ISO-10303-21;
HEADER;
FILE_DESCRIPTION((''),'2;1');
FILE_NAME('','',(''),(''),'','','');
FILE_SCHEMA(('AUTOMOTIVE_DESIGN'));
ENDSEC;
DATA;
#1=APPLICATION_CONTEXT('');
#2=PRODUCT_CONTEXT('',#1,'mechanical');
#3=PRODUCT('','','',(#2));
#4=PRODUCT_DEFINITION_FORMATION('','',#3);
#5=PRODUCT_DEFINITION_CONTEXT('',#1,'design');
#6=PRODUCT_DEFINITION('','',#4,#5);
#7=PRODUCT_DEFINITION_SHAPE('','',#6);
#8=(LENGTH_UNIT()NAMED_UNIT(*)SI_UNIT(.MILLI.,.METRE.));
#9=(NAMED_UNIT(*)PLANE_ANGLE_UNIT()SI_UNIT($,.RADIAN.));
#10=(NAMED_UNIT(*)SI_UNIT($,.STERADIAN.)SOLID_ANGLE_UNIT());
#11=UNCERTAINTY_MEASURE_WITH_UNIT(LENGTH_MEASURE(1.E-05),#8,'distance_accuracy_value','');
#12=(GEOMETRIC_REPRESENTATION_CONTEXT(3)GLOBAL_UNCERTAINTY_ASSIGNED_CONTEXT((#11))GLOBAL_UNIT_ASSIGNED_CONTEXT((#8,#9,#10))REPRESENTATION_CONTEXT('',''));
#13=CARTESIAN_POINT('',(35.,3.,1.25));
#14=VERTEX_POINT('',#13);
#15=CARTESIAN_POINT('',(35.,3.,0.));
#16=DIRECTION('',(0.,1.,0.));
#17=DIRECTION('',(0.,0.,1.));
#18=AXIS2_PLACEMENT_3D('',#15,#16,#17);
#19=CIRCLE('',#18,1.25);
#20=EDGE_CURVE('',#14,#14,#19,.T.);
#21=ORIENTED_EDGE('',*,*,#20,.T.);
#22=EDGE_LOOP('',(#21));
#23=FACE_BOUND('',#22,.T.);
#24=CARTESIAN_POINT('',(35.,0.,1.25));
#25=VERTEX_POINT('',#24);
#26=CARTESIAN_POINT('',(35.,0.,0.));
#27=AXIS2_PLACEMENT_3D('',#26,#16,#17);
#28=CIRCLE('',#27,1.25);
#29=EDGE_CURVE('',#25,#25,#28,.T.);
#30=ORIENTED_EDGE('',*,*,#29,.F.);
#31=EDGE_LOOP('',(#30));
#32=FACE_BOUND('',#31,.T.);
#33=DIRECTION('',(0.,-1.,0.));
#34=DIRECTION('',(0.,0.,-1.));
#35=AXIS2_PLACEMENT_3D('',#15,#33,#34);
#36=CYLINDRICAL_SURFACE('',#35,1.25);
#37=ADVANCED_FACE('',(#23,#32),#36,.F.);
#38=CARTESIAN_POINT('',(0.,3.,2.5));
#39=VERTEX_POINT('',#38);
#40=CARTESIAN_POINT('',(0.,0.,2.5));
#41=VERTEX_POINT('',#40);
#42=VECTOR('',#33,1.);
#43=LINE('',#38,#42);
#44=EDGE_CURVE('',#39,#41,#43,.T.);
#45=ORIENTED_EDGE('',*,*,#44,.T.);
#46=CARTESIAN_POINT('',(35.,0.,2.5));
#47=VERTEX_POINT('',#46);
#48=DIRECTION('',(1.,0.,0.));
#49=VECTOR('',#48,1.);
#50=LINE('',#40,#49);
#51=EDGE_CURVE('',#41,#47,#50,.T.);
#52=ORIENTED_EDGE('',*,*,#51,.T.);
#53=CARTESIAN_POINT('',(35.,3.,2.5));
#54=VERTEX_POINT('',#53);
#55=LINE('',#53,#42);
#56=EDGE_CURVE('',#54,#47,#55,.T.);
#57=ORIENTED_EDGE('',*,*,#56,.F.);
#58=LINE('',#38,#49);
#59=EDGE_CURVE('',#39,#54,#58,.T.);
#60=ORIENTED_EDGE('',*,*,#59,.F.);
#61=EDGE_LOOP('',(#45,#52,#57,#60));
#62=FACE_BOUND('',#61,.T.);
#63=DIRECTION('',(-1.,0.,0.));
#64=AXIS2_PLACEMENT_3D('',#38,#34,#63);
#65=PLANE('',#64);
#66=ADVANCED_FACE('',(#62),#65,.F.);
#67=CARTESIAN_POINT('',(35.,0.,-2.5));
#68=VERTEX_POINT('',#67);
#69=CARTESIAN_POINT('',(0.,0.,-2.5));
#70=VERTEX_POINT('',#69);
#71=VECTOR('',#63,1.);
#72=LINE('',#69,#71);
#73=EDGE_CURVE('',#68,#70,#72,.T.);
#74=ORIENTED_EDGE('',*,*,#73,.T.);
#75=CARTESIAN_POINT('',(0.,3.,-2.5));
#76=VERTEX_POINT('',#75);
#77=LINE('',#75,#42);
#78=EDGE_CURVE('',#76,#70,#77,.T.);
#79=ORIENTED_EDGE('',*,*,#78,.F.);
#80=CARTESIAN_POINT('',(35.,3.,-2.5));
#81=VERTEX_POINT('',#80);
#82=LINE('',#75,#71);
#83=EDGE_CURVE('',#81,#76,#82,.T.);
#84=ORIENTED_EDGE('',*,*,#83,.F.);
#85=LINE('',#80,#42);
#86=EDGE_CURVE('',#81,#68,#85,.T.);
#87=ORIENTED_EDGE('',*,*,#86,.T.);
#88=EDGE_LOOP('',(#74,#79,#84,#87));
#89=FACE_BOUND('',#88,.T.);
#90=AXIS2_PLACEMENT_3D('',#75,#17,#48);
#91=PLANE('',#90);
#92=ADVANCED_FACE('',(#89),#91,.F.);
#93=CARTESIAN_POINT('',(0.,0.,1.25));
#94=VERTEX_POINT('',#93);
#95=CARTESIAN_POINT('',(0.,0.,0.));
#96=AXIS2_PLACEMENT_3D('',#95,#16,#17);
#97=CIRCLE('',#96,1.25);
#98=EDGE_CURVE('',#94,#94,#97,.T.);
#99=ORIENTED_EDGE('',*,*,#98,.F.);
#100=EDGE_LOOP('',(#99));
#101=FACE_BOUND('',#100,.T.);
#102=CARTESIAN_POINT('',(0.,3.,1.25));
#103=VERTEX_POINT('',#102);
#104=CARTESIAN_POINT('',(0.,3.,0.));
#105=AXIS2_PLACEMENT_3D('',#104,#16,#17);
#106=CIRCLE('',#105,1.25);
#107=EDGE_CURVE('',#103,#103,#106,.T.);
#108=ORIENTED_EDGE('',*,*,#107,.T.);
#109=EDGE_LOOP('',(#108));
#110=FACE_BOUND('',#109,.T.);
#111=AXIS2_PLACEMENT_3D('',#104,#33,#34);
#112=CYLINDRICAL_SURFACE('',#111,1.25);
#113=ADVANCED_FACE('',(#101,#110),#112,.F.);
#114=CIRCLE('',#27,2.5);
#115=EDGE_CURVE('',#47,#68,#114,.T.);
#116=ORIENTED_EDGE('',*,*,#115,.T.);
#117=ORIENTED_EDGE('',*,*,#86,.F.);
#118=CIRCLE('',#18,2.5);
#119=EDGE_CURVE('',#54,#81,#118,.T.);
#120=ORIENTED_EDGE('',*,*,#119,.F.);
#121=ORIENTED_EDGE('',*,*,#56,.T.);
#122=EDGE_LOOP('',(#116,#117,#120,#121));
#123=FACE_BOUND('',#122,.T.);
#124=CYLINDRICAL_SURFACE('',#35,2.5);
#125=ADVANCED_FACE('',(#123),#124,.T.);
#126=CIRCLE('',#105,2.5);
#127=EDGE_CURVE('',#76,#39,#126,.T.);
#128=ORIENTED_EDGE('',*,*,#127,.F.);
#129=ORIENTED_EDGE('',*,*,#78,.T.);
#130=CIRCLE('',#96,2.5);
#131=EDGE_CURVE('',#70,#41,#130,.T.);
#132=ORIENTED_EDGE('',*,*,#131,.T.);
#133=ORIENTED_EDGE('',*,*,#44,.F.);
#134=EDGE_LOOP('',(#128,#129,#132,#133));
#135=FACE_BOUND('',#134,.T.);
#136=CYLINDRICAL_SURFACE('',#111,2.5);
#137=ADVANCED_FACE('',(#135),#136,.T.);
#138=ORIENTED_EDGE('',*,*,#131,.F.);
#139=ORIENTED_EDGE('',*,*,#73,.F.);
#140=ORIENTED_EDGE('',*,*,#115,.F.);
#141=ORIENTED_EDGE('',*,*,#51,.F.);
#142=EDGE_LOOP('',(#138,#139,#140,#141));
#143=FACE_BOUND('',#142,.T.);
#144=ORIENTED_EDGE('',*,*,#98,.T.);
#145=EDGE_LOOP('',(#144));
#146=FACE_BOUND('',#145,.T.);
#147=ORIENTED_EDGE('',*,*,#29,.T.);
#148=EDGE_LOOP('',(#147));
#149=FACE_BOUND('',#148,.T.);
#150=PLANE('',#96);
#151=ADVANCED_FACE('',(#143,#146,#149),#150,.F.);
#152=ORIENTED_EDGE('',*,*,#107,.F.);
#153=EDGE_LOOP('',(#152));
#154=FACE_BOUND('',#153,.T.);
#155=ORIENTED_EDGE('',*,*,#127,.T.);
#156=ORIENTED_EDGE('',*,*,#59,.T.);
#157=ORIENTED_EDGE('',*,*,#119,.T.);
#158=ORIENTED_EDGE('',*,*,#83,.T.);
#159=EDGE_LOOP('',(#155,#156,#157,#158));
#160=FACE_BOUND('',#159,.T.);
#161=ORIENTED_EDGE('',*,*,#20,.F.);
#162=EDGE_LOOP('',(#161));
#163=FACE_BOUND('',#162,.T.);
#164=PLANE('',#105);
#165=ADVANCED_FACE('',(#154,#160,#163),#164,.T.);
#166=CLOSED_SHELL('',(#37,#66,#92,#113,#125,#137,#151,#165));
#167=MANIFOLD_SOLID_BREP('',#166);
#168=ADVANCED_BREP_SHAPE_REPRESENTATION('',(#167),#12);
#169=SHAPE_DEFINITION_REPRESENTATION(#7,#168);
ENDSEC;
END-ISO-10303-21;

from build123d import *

# Parameters (mm, degrees)
SKETCH1_R           = 1.25
BOSS_EXTRUDE1_DEPTH = 3


with BuildPart() as part:
    # Sketch1 → Boss-Extrude1 (new body)
    with BuildSketch(Plane(origin=(0, 0, 0), x_dir=(1, 0, 0), z_dir=(0, 1, 0))):
        with BuildLine():
            Line((0, 2.5), (35, 2.5))
            ThreePointArc((35, 2.5), (37.5, 0), (35, -2.5))
            Line((35, -2.5), (0, -2.5))
            ThreePointArc((0, -2.5), (-2.5, 0), (0, 2.5))
        make_face()
        with Locations(Location((0, 0, 0), (0, 0, 270))):
            Circle(SKETCH1_R, mode=Mode.SUBTRACT)
        with Locations(Location((35, 0, 0), (0, 0, 270))):
            Circle(SKETCH1_R, mode=Mode.SUBTRACT)
    extrude(amount=BOSS_EXTRUDE1_DEPTH)


solid = part.part
